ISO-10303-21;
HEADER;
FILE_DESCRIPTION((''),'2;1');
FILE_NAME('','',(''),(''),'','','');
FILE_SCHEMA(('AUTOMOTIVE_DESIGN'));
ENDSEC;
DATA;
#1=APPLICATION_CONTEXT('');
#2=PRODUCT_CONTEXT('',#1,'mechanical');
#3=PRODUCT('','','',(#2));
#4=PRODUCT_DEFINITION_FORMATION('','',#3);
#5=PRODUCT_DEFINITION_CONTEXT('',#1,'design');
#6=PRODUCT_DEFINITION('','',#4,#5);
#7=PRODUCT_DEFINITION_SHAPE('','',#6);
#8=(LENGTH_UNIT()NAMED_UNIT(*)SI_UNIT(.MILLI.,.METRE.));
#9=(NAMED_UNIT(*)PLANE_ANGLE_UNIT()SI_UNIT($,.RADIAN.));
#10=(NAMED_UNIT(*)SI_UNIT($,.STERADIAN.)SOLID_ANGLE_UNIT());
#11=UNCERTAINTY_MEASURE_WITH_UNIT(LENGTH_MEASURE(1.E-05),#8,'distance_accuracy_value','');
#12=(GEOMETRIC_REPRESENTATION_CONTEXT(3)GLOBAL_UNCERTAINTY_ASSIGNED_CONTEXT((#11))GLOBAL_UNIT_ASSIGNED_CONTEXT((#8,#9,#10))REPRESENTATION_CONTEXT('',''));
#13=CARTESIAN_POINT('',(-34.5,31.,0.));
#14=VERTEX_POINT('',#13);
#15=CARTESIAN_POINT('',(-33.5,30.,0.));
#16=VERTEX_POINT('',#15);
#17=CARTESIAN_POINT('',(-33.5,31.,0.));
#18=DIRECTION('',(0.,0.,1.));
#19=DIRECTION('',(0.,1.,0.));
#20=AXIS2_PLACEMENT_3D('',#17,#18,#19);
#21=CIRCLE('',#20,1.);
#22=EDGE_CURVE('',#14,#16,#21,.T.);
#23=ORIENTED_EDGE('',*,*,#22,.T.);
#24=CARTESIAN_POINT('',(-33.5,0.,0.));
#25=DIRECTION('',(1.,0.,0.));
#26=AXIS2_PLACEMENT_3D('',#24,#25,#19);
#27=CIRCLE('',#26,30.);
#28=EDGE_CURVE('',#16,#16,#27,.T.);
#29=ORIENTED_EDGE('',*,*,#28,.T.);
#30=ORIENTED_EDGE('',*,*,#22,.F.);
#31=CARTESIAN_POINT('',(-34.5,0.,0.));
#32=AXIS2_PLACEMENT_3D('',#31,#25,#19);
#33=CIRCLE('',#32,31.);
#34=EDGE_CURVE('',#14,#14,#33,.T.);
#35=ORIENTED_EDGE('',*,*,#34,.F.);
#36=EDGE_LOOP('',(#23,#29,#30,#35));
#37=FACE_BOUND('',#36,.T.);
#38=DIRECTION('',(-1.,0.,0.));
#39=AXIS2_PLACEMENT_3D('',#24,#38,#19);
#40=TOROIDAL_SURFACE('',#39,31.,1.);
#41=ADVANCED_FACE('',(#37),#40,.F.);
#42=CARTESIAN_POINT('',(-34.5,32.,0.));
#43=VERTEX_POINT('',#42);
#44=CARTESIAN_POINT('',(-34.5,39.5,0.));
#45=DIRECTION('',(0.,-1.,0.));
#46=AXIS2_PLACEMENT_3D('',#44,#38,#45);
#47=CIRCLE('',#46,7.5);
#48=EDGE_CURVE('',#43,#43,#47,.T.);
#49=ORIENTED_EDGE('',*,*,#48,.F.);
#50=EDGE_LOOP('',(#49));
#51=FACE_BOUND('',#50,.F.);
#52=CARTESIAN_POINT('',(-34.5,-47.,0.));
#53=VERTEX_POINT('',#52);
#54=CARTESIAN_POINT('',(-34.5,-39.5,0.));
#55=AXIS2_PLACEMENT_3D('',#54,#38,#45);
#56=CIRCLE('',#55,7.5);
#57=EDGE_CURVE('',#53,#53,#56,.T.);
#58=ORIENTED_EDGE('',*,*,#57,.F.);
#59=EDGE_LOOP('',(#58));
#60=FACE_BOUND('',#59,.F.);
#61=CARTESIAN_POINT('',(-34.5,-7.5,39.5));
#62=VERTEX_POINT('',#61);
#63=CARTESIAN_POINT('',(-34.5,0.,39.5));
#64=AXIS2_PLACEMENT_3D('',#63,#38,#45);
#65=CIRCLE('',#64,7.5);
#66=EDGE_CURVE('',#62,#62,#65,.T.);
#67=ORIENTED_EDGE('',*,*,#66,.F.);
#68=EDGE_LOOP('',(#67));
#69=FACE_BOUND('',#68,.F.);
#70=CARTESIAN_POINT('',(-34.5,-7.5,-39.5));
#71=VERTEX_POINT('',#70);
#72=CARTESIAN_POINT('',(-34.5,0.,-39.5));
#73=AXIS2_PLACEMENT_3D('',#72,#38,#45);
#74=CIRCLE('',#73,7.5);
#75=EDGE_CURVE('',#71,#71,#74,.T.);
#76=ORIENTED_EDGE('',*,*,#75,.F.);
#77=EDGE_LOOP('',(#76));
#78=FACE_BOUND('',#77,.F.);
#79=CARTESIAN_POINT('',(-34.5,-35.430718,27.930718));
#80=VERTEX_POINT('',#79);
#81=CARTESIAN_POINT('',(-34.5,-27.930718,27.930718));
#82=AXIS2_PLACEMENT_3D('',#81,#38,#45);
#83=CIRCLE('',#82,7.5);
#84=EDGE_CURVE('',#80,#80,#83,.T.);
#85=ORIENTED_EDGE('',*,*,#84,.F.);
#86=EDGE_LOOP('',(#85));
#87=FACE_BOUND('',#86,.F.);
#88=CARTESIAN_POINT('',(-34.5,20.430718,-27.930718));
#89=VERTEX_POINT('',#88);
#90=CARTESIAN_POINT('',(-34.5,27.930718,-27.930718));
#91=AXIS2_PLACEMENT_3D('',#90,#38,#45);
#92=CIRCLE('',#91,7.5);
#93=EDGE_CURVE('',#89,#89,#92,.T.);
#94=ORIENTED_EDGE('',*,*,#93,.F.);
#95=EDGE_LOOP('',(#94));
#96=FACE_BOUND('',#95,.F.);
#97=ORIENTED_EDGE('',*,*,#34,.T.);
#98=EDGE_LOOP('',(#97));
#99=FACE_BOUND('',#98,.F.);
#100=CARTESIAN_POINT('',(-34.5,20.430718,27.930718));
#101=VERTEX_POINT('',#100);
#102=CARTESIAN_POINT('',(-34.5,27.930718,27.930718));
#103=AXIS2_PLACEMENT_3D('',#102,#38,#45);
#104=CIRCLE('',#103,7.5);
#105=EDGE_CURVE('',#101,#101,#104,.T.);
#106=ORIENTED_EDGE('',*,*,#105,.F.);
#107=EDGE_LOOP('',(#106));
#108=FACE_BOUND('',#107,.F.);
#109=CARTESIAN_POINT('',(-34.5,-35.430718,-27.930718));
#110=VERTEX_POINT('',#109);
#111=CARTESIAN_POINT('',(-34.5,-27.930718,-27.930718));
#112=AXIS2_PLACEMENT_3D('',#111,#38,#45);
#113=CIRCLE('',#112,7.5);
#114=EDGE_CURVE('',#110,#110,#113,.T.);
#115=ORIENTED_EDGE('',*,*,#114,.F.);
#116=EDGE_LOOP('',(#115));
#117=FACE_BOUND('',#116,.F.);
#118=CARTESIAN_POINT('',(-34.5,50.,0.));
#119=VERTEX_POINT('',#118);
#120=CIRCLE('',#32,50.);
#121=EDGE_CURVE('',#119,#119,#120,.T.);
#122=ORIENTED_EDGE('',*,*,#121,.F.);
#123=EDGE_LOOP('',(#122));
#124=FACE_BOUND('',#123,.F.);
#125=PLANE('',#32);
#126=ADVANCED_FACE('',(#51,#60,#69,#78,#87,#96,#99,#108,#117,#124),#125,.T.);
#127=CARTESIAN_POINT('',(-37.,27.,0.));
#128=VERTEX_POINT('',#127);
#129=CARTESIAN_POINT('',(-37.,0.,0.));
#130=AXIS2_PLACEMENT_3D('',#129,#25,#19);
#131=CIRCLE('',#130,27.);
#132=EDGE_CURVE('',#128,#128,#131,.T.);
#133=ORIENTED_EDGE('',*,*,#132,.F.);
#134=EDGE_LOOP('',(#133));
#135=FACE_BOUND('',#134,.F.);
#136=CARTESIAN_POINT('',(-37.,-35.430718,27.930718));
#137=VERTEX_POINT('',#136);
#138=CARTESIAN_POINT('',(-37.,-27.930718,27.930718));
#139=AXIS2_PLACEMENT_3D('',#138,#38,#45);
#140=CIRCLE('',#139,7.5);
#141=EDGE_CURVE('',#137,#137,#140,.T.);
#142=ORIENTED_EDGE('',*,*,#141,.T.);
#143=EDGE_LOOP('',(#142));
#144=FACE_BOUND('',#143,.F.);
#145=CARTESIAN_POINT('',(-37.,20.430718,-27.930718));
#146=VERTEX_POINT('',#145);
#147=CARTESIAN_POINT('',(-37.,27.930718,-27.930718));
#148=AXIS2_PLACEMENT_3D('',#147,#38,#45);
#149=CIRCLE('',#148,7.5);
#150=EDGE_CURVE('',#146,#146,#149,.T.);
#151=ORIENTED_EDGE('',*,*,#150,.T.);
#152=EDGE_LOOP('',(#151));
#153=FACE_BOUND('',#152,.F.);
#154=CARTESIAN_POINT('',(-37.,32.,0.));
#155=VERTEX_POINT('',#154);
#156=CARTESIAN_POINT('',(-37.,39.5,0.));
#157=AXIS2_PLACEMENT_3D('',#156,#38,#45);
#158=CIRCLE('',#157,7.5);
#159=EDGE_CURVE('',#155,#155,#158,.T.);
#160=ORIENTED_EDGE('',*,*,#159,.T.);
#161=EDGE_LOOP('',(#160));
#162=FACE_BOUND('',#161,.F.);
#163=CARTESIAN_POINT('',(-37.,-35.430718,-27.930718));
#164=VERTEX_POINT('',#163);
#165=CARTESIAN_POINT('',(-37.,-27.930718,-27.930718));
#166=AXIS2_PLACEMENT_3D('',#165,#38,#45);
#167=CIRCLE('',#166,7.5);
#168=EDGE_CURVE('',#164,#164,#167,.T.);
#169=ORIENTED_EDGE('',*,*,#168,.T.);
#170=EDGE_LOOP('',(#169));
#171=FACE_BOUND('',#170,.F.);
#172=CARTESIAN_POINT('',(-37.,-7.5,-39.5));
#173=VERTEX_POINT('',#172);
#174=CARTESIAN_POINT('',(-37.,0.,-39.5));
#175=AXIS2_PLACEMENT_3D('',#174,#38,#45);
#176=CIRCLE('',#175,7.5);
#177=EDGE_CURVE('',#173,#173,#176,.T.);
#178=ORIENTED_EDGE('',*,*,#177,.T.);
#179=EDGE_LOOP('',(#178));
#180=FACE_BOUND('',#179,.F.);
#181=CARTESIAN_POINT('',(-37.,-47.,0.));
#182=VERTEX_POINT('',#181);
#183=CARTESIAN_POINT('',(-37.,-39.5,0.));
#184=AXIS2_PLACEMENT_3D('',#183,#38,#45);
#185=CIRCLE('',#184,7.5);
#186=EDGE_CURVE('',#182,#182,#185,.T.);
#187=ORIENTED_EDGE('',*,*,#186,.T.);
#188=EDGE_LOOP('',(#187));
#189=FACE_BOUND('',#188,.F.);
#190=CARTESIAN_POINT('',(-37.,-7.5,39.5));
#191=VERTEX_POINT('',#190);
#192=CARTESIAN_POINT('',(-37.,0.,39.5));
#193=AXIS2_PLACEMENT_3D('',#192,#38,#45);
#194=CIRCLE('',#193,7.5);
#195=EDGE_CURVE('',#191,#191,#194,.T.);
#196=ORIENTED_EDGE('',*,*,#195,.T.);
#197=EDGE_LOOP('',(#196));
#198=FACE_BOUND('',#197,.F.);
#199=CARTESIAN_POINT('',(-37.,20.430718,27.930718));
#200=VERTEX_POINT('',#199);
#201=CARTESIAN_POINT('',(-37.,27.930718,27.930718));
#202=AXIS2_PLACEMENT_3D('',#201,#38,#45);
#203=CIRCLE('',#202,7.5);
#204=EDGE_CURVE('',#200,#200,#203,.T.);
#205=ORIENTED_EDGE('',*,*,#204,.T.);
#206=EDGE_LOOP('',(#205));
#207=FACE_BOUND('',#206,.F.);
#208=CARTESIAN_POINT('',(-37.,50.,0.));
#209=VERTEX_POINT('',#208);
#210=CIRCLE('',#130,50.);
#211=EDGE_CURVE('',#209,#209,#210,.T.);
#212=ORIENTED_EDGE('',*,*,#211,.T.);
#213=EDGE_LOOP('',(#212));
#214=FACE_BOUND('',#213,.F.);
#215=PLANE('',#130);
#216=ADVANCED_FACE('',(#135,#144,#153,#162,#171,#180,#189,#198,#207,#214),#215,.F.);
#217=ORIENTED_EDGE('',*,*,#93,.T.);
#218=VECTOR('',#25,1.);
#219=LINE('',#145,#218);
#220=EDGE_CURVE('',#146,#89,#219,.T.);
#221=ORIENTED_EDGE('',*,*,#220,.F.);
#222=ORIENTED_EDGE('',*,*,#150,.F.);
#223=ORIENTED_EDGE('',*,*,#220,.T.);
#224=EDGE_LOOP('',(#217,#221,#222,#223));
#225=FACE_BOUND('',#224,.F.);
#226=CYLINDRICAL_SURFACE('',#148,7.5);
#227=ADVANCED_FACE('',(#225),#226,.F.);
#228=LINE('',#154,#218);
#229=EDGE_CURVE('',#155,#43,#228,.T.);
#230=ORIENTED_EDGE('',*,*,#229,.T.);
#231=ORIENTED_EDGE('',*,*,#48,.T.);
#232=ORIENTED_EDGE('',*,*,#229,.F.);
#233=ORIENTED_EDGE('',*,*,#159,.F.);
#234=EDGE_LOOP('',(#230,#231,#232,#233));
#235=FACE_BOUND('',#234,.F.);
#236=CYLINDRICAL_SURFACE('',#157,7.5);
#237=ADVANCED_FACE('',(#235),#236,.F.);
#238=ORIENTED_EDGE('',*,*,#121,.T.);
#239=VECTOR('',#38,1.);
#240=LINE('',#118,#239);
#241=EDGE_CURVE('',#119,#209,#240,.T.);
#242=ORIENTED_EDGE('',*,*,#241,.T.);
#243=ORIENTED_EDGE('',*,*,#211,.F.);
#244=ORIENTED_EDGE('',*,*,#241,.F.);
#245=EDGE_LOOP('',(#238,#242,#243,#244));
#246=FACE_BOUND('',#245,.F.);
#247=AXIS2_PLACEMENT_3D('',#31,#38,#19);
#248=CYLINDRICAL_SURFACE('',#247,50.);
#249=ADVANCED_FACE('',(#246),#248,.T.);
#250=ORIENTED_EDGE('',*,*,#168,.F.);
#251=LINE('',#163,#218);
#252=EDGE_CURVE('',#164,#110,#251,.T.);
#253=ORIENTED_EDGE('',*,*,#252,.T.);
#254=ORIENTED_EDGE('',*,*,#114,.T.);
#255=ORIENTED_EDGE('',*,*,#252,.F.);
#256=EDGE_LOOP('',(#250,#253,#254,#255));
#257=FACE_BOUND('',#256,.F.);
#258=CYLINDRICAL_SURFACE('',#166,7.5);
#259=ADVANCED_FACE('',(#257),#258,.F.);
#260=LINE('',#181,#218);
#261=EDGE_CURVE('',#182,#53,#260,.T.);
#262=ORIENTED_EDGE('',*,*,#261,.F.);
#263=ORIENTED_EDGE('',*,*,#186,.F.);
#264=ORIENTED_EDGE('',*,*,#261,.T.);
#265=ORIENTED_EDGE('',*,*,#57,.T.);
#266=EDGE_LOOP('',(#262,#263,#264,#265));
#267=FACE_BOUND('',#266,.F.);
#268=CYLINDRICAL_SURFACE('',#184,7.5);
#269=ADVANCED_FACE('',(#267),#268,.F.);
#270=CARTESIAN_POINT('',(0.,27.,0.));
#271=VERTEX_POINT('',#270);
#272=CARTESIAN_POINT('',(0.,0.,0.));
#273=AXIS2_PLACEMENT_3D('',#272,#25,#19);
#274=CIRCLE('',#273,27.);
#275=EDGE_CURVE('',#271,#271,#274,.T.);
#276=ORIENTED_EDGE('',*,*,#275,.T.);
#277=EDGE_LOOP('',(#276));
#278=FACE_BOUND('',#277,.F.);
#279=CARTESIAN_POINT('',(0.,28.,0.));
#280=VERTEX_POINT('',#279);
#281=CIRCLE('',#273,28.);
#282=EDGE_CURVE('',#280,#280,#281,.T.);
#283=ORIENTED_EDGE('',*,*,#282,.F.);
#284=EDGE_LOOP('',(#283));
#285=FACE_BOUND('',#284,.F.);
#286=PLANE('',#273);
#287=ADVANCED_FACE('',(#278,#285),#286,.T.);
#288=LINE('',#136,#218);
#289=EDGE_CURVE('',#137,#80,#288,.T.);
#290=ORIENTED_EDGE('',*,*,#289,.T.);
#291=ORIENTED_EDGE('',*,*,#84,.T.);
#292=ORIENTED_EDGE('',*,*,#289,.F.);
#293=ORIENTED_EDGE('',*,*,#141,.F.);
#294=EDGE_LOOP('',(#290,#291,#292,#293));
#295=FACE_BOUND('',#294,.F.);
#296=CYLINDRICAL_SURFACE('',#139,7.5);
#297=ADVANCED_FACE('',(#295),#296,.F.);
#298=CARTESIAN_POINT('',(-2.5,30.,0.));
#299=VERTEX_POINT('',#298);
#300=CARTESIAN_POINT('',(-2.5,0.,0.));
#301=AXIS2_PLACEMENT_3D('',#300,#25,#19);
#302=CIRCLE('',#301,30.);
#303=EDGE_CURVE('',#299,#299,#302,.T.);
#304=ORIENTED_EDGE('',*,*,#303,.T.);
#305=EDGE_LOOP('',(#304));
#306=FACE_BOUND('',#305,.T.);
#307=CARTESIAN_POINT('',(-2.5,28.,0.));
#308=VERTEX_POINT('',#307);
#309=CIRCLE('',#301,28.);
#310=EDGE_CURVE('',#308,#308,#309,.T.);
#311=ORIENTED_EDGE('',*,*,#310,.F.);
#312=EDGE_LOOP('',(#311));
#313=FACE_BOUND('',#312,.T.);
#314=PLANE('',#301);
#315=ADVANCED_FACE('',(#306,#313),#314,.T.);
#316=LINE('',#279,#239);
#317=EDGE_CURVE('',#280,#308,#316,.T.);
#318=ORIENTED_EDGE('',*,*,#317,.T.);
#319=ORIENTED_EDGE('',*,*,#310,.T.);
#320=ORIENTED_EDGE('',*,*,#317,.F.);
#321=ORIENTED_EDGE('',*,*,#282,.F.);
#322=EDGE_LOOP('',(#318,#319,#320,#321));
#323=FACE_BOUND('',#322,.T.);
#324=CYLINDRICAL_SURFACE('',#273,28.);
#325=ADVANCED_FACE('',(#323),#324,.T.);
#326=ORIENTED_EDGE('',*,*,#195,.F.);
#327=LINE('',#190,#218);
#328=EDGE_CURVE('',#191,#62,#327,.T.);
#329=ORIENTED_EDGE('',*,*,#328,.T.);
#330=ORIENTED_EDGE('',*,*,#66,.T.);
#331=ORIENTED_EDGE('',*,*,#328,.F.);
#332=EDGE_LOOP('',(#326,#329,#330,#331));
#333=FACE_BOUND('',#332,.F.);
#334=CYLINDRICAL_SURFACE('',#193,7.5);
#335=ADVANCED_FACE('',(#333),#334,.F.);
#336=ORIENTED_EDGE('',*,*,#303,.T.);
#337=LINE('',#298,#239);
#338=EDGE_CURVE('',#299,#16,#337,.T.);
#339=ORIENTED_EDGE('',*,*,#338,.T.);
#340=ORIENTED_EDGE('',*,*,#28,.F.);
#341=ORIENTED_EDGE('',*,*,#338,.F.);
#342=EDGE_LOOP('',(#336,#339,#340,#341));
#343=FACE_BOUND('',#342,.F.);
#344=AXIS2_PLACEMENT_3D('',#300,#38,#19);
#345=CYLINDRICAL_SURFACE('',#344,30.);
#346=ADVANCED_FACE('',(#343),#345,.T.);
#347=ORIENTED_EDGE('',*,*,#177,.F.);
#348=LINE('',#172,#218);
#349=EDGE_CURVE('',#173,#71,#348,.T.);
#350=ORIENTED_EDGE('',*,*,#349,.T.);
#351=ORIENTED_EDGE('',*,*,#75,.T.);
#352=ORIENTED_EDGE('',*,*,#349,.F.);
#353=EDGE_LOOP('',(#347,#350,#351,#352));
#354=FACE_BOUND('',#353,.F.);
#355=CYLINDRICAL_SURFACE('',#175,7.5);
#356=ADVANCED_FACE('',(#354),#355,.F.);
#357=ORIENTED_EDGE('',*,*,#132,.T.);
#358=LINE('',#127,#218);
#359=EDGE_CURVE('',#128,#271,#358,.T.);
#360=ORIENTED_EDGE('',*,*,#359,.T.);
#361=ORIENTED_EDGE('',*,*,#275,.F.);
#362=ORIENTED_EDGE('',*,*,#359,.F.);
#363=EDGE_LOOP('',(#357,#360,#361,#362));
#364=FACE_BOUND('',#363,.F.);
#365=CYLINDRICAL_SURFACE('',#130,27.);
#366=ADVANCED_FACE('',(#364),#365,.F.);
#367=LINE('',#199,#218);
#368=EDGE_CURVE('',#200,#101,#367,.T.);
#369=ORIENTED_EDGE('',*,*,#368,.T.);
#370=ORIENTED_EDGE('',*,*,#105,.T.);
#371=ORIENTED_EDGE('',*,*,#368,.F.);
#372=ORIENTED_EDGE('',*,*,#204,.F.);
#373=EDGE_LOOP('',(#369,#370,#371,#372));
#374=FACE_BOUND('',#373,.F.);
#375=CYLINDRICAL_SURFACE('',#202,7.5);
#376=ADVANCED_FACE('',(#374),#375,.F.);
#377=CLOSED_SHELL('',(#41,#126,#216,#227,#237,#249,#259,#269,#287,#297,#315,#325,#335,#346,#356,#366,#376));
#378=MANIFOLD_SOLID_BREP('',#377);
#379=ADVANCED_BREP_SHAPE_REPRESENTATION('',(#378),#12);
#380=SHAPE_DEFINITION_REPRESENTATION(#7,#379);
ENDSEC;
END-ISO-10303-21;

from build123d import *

# Parameters (mm, degrees)
F2_R     = 7.5
F3_DEPTH = 5
F4_R     = 55
F4_R_2   = 28
F5_DEPTH = 2.5
F6_R     = 1


with BuildPart() as f1:
    # F0 (on Top) → F1 (revolve)
    with BuildSketch(Plane.XY):
        Polygon((-37, 27), (0, 27), (0, 50), (-2.5, 50), (-2.5, 30), (-34.5, 30), (-34.5, 50), (-37, 50), align=None)
    revolve(axis=Axis((5.071359, 0, 0), (1, 0, 0)))

    # F2 (on face) → F3 (cut)
    with BuildSketch(Plane(origin=(-37, 0, 0), x_dir=(0, -1, 0), z_dir=(-1, 0, 0))):
        with Locations((0, 39.5)):
            Circle(F2_R)
        with Locations((-27.930718, 27.930718)):
            Circle(F2_R)
        with Locations((-39.5, 0)):
            Circle(F2_R)
        with Locations((-27.930718, -27.930718)):
            Circle(F2_R)
        with Locations((0, -39.5)):
            Circle(F2_R)
        with Locations((27.930718, -27.930718)):
            Circle(F2_R)
        with Locations((39.5, 0)):
            Circle(F2_R)
        with Locations((27.930718, 27.930718)):
            Circle(F2_R)
    extrude(amount=-F3_DEPTH, mode=Mode.SUBTRACT)

    # F4 (on face) → F5 (cut)
    with BuildSketch(Plane.YZ):
        Circle(F4_R)
        Circle(F4_R_2, mode=Mode.SUBTRACT)
    extrude(amount=-F5_DEPTH, mode=Mode.SUBTRACT)

    # F6
    f6_edges = [f1.edges().sort_by_distance(p)[0] for p in [
        (-34.5, -30, 0),
    ]]
    fillet(f6_edges, radius=F6_R)


solid = f1.part
